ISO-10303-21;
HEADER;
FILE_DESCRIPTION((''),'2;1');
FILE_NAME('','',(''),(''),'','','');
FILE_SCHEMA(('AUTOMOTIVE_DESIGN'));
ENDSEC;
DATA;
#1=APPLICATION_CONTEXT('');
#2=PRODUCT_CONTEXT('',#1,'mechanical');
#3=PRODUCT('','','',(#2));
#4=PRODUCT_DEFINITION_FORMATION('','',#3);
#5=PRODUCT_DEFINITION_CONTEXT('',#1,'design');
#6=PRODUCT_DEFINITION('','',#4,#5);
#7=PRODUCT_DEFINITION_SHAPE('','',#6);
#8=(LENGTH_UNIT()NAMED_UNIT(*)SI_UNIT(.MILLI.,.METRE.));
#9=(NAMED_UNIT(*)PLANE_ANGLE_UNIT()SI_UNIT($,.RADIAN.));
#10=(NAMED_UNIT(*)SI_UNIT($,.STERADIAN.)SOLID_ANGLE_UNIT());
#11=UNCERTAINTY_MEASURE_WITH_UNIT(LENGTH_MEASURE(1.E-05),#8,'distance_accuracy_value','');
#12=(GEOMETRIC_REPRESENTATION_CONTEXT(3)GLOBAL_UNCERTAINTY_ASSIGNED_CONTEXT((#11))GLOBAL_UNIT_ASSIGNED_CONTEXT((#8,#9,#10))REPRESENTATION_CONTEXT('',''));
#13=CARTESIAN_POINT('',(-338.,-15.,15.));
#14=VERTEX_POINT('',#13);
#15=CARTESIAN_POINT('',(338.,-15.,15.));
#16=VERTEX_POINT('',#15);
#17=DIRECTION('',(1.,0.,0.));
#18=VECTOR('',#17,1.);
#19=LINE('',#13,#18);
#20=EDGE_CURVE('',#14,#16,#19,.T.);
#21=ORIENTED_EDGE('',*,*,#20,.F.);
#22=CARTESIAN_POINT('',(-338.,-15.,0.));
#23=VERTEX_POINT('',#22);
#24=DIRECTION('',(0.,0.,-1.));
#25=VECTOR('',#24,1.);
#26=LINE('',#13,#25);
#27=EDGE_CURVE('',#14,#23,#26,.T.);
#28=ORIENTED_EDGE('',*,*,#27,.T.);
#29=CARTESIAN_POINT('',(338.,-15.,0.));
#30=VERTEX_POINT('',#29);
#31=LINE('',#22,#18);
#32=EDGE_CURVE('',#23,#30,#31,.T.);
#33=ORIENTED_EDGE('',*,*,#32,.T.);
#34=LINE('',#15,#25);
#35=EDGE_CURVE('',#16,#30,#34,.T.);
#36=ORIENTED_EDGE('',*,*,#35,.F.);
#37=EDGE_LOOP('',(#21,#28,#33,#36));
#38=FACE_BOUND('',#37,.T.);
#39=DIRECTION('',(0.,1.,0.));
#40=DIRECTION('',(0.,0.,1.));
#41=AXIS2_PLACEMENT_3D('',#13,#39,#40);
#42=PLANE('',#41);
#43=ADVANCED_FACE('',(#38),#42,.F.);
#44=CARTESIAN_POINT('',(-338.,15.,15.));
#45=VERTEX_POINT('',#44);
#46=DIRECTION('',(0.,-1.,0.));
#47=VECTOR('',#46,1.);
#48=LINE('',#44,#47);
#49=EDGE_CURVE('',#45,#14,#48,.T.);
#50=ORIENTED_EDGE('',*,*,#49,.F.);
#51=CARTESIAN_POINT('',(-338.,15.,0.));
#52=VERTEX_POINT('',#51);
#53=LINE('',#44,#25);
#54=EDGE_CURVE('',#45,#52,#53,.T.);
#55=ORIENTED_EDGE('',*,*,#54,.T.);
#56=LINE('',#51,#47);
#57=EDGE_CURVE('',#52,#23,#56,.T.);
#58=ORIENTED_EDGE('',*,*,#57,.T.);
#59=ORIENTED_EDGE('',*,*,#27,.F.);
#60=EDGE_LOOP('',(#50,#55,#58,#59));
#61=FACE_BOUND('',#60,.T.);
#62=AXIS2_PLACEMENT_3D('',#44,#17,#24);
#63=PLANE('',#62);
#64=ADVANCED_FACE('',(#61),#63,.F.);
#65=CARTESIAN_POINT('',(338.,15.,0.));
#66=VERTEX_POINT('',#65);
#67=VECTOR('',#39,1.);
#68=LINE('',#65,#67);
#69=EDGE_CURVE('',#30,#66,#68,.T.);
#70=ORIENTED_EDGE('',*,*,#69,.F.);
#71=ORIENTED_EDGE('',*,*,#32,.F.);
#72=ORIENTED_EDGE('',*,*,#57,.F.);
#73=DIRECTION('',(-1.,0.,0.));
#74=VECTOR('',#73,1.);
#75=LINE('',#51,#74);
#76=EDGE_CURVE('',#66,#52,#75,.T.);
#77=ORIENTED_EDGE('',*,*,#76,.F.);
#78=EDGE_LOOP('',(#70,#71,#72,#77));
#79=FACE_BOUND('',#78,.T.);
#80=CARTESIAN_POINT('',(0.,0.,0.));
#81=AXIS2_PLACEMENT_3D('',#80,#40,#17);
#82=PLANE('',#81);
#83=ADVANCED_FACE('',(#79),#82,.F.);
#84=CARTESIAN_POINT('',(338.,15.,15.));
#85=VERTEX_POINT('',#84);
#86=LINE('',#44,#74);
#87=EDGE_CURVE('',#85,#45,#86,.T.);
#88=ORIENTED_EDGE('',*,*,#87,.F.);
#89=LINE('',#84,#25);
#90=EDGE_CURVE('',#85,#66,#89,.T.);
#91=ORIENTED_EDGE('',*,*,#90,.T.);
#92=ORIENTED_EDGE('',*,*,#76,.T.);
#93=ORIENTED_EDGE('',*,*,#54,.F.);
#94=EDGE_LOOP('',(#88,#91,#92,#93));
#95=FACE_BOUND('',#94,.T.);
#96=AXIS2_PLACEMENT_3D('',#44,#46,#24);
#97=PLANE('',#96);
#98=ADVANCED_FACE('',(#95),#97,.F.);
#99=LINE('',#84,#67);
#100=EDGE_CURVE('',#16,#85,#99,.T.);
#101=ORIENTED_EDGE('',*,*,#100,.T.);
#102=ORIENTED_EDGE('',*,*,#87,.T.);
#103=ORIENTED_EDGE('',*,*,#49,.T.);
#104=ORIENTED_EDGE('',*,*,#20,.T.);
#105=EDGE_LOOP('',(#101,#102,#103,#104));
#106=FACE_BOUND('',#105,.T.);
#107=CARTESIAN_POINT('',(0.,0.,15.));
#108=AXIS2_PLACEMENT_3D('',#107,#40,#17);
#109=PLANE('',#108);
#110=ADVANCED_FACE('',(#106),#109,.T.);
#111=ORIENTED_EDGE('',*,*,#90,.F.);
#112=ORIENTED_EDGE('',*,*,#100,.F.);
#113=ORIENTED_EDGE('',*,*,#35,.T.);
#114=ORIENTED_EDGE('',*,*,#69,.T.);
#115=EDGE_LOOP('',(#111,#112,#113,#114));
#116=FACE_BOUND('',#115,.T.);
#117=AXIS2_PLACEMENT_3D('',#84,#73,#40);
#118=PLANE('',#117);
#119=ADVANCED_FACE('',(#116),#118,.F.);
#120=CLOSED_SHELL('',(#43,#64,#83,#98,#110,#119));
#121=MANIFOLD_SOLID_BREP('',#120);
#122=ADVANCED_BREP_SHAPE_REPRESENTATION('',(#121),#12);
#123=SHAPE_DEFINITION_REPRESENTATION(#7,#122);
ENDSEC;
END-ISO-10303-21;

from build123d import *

# Parameters (mm, degrees)
ESQUISSE1_W        = 676
ESQUISSE1_H        = 30
BOSS_EXTRU_1_DEPTH = 15


with BuildPart() as part:
    # Esquisse1 → Boss.-Extru.1 (new body)
    with BuildSketch(Plane.XY):
        Rectangle(ESQUISSE1_W, ESQUISSE1_H)
    extrude(amount=BOSS_EXTRU_1_DEPTH)


solid = part.part
